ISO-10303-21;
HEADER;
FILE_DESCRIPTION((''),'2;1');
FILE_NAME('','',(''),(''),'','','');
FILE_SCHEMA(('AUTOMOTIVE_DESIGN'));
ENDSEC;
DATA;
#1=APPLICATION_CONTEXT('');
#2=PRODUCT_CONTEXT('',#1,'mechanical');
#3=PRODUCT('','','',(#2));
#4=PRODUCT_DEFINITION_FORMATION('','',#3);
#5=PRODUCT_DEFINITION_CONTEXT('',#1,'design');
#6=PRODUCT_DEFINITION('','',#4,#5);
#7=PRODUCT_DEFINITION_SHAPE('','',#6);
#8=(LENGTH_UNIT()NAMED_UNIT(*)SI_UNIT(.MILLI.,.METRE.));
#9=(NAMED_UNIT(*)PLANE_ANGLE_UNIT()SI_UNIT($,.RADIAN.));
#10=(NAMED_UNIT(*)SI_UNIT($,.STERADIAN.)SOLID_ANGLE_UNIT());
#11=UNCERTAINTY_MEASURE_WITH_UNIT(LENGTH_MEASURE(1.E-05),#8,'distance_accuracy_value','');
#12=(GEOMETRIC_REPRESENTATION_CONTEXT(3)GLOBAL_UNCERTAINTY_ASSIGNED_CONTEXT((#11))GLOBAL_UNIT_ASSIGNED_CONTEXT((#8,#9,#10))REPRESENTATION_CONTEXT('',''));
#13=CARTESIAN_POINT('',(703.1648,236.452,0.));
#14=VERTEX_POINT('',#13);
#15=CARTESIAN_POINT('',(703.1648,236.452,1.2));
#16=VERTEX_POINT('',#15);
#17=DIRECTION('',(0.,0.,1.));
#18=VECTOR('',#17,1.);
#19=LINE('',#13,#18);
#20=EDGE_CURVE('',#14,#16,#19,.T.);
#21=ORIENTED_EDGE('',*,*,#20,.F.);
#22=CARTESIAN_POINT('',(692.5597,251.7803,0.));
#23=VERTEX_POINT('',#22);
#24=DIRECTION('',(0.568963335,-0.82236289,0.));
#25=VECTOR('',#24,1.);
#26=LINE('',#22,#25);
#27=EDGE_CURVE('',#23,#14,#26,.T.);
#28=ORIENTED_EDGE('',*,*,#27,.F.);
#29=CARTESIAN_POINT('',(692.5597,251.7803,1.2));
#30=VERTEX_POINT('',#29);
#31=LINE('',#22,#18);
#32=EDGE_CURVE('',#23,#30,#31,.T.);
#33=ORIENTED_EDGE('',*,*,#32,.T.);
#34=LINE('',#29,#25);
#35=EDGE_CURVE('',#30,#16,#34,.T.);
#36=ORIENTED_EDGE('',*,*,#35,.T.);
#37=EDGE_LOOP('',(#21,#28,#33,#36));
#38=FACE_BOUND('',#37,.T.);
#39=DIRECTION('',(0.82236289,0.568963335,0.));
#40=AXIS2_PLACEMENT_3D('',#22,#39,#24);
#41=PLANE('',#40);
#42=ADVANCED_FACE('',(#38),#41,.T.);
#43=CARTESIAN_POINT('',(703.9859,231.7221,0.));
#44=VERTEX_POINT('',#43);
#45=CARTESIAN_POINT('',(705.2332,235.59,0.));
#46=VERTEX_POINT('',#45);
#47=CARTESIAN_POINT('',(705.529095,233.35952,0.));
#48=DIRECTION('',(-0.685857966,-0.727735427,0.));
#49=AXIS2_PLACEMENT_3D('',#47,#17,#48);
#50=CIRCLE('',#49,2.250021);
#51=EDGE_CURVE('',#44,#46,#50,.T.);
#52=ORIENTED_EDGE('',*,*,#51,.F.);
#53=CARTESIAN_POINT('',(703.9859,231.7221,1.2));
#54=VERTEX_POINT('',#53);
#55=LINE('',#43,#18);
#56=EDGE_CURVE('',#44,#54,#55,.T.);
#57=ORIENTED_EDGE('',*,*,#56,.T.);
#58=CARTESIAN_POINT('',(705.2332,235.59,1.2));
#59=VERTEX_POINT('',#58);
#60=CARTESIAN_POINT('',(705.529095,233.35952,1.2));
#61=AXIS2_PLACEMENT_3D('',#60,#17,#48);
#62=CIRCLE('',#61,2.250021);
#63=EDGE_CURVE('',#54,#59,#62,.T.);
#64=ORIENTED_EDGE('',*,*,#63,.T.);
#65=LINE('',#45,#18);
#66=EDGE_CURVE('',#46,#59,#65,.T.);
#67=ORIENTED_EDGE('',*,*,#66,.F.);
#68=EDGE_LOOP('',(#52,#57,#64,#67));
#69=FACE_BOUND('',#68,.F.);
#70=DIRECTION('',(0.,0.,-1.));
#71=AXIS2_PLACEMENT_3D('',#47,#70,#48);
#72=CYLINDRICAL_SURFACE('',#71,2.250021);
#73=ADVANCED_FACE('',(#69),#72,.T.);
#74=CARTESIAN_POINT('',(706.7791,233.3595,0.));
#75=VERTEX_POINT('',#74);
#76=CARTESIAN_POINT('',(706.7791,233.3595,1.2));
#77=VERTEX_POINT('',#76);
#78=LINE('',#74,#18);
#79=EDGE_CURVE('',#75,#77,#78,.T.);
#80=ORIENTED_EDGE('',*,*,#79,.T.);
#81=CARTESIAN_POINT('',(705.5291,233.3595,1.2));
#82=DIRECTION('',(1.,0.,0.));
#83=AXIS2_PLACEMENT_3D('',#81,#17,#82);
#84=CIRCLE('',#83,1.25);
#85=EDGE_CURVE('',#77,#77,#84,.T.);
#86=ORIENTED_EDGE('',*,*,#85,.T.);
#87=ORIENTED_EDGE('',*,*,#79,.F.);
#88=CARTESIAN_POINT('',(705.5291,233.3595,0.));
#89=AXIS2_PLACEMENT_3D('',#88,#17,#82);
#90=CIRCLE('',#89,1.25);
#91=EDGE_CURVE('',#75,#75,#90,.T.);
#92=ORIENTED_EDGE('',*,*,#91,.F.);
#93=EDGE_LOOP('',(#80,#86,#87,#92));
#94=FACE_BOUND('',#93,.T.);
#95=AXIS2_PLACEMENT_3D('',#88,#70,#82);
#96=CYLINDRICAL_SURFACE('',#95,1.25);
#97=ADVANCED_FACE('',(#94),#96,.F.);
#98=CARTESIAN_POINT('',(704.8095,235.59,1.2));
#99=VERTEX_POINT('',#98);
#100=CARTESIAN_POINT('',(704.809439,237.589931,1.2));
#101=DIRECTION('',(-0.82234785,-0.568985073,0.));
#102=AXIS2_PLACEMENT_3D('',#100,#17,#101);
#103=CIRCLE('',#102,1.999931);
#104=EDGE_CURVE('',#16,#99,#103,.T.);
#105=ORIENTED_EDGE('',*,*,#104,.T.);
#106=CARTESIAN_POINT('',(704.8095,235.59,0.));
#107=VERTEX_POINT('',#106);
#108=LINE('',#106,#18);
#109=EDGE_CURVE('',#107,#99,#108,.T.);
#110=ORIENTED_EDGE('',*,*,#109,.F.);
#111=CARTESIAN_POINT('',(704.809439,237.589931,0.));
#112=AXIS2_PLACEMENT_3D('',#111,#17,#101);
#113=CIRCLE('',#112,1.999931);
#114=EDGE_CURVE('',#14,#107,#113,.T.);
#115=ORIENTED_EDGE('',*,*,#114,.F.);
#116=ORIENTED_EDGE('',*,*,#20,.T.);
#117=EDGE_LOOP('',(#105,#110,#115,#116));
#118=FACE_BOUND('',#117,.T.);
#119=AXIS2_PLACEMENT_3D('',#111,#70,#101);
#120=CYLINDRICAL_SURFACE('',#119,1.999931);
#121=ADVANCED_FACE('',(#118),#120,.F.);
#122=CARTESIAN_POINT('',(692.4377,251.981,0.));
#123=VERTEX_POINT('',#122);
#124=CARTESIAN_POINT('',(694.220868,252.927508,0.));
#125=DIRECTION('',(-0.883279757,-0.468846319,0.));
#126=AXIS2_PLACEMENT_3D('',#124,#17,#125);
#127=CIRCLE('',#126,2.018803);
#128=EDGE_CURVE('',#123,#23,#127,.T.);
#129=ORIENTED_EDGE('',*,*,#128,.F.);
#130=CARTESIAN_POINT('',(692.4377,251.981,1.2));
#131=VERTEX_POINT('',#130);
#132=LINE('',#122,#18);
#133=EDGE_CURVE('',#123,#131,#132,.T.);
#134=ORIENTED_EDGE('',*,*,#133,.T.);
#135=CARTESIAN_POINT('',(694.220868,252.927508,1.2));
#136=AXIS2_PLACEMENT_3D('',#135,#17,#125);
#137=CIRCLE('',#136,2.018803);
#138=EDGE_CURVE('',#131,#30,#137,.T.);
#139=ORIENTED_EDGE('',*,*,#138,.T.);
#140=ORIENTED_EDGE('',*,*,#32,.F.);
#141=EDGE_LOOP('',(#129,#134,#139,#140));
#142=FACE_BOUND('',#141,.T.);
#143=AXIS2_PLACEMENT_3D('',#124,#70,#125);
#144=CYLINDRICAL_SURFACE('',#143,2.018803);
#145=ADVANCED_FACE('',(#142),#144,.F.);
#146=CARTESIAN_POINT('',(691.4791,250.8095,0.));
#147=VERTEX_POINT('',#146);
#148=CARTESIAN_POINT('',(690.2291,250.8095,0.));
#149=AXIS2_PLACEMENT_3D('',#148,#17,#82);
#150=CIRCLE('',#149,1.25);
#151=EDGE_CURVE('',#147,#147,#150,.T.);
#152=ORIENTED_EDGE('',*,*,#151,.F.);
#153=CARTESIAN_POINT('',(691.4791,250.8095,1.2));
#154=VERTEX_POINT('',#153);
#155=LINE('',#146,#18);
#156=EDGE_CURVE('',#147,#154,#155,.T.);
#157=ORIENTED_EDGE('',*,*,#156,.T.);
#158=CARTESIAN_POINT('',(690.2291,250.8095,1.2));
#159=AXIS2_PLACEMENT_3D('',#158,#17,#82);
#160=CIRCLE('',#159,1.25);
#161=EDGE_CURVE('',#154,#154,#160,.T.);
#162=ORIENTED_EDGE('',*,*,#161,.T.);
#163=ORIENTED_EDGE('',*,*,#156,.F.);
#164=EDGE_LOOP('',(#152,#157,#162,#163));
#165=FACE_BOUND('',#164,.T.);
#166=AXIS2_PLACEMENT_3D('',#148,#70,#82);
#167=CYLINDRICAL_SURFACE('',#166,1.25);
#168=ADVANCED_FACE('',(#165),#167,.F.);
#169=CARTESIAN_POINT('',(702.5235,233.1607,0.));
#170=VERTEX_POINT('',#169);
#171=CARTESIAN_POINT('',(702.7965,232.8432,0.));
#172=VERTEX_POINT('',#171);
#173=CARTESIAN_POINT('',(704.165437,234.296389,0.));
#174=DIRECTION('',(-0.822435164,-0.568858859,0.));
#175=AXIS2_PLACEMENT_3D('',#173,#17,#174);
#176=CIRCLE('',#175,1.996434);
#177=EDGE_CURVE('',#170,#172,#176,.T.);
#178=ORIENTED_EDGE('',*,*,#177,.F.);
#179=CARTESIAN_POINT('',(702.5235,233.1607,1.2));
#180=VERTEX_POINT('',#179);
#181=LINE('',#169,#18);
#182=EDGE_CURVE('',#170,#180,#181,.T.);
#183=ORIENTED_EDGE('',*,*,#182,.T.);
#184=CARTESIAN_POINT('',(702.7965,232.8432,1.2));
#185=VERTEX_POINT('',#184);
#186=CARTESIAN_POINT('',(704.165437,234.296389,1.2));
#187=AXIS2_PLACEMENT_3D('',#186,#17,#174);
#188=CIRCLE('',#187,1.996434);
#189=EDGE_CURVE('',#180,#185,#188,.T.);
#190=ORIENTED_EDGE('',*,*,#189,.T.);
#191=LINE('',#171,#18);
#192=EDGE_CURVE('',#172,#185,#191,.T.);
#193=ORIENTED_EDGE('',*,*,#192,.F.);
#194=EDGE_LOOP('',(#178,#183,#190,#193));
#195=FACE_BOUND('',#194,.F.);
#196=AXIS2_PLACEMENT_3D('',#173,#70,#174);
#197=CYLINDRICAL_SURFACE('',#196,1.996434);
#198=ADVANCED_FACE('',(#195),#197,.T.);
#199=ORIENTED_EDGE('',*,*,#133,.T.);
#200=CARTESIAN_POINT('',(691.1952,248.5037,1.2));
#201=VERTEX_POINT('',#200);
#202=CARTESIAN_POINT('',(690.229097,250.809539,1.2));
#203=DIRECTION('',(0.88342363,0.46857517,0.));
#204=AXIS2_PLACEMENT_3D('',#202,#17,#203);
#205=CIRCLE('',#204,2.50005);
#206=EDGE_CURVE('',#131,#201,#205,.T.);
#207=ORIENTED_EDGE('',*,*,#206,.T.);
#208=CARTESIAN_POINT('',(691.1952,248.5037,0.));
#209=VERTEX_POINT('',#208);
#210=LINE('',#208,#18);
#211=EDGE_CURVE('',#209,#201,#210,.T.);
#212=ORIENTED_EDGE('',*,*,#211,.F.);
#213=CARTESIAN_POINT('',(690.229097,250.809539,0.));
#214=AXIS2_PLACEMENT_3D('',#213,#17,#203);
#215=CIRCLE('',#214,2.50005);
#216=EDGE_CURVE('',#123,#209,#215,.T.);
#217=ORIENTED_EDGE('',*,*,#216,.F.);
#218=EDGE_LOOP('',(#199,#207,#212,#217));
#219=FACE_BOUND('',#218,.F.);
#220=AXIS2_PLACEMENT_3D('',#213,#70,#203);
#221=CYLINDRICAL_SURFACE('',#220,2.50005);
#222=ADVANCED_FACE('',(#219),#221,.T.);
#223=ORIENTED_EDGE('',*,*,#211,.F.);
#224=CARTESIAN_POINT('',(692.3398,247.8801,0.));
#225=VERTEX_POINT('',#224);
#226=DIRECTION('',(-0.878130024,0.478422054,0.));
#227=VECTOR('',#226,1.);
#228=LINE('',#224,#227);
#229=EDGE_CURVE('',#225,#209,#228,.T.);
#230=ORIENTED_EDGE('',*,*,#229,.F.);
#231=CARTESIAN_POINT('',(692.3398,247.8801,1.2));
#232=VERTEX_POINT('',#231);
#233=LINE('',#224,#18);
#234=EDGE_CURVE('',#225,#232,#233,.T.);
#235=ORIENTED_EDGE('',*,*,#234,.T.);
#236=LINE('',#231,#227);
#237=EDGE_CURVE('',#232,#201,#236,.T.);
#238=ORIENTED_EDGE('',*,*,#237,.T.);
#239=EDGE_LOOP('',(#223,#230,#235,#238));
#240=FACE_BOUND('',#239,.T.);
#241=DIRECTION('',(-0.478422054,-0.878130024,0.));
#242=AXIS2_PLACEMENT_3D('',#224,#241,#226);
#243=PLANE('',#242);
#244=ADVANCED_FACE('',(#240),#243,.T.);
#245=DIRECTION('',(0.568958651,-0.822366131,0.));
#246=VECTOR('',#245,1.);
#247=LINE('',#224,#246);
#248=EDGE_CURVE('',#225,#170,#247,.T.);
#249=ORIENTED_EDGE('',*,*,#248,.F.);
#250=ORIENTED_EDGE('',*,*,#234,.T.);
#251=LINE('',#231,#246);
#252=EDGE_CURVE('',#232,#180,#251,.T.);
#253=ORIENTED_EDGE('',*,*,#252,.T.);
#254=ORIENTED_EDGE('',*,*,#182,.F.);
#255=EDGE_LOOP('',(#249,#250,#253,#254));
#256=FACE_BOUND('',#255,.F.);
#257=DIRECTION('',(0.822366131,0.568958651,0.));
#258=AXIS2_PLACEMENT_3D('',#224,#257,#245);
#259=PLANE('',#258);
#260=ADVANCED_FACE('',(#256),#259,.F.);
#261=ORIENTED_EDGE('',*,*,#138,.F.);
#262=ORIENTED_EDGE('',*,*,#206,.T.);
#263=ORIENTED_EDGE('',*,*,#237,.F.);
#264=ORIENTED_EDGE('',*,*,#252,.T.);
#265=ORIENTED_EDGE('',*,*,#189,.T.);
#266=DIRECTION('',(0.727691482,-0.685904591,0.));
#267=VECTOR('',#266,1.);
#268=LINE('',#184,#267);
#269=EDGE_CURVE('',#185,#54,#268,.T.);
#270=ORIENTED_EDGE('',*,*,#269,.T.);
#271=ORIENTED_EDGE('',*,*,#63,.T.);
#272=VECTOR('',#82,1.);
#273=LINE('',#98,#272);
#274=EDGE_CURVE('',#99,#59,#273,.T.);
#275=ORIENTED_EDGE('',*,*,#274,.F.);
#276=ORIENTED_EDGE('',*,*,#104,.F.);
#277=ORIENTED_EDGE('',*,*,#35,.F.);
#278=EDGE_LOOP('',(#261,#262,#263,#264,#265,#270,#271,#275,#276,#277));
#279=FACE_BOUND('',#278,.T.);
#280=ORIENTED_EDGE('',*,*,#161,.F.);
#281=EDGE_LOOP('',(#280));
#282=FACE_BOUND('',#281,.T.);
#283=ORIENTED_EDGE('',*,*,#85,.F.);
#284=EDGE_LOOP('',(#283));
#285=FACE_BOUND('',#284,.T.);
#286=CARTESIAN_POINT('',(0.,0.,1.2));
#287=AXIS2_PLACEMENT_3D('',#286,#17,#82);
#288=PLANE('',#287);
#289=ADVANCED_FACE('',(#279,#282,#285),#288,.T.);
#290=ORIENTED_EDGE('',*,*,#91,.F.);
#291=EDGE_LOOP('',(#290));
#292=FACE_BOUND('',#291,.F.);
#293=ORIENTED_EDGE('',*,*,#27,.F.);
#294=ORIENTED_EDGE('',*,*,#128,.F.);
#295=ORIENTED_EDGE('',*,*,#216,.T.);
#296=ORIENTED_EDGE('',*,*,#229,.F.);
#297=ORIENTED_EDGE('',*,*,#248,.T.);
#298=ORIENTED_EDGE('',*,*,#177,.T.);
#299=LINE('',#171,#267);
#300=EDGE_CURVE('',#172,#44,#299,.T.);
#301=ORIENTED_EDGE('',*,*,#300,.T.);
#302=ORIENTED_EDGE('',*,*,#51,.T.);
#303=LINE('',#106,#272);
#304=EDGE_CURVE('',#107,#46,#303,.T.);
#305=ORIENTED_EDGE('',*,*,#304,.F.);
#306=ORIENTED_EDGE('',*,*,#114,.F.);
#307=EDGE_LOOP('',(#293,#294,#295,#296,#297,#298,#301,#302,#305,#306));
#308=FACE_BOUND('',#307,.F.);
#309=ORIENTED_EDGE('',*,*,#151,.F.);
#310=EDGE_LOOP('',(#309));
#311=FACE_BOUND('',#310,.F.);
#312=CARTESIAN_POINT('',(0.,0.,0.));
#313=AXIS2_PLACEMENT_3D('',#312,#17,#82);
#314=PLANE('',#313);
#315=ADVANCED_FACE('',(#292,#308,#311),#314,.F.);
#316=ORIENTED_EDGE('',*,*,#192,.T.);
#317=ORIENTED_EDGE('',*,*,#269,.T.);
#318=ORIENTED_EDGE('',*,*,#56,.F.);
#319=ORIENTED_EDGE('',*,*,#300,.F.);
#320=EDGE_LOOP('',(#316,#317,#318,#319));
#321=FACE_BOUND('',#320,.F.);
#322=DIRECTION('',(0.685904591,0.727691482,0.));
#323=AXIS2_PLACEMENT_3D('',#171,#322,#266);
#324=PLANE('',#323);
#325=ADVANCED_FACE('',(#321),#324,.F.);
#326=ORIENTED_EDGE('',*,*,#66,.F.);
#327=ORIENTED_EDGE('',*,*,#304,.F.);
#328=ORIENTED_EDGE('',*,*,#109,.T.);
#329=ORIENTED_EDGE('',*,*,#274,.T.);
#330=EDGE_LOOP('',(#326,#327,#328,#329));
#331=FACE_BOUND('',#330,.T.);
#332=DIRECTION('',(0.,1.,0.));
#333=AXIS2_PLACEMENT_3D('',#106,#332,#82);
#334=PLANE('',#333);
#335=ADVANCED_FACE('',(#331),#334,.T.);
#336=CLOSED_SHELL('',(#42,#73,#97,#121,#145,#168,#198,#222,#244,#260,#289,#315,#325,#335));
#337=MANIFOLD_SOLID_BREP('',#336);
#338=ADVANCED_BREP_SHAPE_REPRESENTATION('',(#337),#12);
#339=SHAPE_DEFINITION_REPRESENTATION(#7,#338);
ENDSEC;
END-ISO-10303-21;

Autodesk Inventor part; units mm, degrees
ref_plane "YZ Plane" through (0, 0, 0) normal (1, 0, 0) x (0, 1, 0)
ref_plane "XZ Plane" through (0, 0, 0) normal (0, 1, 0) x (-1, 0, 0)
ref_plane "XY Plane" through (0, 0, 0) normal (0, 0, 1) x (1, 0, 0)
sketch "Boceto1" plane through (0, 0, 0) normal (0, 0, 1) x (1, 0, 0)
  circle A0 centre (690.2291, 250.8095) radius 1.25
  arc A1 (692.4377, 251.981) -> (691.1952, 248.5037) centre (690.2291, 250.8095) ccw
  circle A2 centre (705.5291, 233.3595) radius 1.25
  line L0 (692.5597, 251.7803) -> (703.1648, 236.452)
  line L1 (692.3398, 247.8801) -> (702.5235, 233.1607)
  arc A3 (702.665, 232.951) -> (702.6433, 232.9876) centre (702.3966, 232.8169) ccw
  arc A4 (703.9859, 231.7221) -> (705.2332, 235.59) centre (705.5291, 233.3595) ccw
  line L2 (702.7965, 232.8432) -> (703.9859, 231.7221)
  line L3 (704.8095, 235.59) -> (705.2332, 235.59)
  arc A5 (703.1648, 236.452) -> (704.8095, 235.59) centre (704.8095, 237.59) ccw
  arc A6 (702.5235, 233.1607) -> (702.7965, 232.8432) centre (704.1683, 234.2986) ccw
  line L4 (692.3398, 247.8801) -> (691.1952, 248.5037)
  arc A7 (692.4377, 251.981) -> (692.5597, 251.7803) centre (694.2045, 252.9182) ccw
  point P0 (0, 0)
  dimension "d7" = 2.5
  dimension "d8" = 5
  dimension "d9" = 2.5
  dimension "d11" = 15.3
  dimension "d12" = 17.45
  dimension "d18" = 4.5
  dimension "d19" = 2
  dimension "d20" = 2.4
  dimension "d21" = 2
extrude "Extrusión1" add sketch "Boceto1" along normal blind 1.2
properties part number "Pieza9_3DPrint"
